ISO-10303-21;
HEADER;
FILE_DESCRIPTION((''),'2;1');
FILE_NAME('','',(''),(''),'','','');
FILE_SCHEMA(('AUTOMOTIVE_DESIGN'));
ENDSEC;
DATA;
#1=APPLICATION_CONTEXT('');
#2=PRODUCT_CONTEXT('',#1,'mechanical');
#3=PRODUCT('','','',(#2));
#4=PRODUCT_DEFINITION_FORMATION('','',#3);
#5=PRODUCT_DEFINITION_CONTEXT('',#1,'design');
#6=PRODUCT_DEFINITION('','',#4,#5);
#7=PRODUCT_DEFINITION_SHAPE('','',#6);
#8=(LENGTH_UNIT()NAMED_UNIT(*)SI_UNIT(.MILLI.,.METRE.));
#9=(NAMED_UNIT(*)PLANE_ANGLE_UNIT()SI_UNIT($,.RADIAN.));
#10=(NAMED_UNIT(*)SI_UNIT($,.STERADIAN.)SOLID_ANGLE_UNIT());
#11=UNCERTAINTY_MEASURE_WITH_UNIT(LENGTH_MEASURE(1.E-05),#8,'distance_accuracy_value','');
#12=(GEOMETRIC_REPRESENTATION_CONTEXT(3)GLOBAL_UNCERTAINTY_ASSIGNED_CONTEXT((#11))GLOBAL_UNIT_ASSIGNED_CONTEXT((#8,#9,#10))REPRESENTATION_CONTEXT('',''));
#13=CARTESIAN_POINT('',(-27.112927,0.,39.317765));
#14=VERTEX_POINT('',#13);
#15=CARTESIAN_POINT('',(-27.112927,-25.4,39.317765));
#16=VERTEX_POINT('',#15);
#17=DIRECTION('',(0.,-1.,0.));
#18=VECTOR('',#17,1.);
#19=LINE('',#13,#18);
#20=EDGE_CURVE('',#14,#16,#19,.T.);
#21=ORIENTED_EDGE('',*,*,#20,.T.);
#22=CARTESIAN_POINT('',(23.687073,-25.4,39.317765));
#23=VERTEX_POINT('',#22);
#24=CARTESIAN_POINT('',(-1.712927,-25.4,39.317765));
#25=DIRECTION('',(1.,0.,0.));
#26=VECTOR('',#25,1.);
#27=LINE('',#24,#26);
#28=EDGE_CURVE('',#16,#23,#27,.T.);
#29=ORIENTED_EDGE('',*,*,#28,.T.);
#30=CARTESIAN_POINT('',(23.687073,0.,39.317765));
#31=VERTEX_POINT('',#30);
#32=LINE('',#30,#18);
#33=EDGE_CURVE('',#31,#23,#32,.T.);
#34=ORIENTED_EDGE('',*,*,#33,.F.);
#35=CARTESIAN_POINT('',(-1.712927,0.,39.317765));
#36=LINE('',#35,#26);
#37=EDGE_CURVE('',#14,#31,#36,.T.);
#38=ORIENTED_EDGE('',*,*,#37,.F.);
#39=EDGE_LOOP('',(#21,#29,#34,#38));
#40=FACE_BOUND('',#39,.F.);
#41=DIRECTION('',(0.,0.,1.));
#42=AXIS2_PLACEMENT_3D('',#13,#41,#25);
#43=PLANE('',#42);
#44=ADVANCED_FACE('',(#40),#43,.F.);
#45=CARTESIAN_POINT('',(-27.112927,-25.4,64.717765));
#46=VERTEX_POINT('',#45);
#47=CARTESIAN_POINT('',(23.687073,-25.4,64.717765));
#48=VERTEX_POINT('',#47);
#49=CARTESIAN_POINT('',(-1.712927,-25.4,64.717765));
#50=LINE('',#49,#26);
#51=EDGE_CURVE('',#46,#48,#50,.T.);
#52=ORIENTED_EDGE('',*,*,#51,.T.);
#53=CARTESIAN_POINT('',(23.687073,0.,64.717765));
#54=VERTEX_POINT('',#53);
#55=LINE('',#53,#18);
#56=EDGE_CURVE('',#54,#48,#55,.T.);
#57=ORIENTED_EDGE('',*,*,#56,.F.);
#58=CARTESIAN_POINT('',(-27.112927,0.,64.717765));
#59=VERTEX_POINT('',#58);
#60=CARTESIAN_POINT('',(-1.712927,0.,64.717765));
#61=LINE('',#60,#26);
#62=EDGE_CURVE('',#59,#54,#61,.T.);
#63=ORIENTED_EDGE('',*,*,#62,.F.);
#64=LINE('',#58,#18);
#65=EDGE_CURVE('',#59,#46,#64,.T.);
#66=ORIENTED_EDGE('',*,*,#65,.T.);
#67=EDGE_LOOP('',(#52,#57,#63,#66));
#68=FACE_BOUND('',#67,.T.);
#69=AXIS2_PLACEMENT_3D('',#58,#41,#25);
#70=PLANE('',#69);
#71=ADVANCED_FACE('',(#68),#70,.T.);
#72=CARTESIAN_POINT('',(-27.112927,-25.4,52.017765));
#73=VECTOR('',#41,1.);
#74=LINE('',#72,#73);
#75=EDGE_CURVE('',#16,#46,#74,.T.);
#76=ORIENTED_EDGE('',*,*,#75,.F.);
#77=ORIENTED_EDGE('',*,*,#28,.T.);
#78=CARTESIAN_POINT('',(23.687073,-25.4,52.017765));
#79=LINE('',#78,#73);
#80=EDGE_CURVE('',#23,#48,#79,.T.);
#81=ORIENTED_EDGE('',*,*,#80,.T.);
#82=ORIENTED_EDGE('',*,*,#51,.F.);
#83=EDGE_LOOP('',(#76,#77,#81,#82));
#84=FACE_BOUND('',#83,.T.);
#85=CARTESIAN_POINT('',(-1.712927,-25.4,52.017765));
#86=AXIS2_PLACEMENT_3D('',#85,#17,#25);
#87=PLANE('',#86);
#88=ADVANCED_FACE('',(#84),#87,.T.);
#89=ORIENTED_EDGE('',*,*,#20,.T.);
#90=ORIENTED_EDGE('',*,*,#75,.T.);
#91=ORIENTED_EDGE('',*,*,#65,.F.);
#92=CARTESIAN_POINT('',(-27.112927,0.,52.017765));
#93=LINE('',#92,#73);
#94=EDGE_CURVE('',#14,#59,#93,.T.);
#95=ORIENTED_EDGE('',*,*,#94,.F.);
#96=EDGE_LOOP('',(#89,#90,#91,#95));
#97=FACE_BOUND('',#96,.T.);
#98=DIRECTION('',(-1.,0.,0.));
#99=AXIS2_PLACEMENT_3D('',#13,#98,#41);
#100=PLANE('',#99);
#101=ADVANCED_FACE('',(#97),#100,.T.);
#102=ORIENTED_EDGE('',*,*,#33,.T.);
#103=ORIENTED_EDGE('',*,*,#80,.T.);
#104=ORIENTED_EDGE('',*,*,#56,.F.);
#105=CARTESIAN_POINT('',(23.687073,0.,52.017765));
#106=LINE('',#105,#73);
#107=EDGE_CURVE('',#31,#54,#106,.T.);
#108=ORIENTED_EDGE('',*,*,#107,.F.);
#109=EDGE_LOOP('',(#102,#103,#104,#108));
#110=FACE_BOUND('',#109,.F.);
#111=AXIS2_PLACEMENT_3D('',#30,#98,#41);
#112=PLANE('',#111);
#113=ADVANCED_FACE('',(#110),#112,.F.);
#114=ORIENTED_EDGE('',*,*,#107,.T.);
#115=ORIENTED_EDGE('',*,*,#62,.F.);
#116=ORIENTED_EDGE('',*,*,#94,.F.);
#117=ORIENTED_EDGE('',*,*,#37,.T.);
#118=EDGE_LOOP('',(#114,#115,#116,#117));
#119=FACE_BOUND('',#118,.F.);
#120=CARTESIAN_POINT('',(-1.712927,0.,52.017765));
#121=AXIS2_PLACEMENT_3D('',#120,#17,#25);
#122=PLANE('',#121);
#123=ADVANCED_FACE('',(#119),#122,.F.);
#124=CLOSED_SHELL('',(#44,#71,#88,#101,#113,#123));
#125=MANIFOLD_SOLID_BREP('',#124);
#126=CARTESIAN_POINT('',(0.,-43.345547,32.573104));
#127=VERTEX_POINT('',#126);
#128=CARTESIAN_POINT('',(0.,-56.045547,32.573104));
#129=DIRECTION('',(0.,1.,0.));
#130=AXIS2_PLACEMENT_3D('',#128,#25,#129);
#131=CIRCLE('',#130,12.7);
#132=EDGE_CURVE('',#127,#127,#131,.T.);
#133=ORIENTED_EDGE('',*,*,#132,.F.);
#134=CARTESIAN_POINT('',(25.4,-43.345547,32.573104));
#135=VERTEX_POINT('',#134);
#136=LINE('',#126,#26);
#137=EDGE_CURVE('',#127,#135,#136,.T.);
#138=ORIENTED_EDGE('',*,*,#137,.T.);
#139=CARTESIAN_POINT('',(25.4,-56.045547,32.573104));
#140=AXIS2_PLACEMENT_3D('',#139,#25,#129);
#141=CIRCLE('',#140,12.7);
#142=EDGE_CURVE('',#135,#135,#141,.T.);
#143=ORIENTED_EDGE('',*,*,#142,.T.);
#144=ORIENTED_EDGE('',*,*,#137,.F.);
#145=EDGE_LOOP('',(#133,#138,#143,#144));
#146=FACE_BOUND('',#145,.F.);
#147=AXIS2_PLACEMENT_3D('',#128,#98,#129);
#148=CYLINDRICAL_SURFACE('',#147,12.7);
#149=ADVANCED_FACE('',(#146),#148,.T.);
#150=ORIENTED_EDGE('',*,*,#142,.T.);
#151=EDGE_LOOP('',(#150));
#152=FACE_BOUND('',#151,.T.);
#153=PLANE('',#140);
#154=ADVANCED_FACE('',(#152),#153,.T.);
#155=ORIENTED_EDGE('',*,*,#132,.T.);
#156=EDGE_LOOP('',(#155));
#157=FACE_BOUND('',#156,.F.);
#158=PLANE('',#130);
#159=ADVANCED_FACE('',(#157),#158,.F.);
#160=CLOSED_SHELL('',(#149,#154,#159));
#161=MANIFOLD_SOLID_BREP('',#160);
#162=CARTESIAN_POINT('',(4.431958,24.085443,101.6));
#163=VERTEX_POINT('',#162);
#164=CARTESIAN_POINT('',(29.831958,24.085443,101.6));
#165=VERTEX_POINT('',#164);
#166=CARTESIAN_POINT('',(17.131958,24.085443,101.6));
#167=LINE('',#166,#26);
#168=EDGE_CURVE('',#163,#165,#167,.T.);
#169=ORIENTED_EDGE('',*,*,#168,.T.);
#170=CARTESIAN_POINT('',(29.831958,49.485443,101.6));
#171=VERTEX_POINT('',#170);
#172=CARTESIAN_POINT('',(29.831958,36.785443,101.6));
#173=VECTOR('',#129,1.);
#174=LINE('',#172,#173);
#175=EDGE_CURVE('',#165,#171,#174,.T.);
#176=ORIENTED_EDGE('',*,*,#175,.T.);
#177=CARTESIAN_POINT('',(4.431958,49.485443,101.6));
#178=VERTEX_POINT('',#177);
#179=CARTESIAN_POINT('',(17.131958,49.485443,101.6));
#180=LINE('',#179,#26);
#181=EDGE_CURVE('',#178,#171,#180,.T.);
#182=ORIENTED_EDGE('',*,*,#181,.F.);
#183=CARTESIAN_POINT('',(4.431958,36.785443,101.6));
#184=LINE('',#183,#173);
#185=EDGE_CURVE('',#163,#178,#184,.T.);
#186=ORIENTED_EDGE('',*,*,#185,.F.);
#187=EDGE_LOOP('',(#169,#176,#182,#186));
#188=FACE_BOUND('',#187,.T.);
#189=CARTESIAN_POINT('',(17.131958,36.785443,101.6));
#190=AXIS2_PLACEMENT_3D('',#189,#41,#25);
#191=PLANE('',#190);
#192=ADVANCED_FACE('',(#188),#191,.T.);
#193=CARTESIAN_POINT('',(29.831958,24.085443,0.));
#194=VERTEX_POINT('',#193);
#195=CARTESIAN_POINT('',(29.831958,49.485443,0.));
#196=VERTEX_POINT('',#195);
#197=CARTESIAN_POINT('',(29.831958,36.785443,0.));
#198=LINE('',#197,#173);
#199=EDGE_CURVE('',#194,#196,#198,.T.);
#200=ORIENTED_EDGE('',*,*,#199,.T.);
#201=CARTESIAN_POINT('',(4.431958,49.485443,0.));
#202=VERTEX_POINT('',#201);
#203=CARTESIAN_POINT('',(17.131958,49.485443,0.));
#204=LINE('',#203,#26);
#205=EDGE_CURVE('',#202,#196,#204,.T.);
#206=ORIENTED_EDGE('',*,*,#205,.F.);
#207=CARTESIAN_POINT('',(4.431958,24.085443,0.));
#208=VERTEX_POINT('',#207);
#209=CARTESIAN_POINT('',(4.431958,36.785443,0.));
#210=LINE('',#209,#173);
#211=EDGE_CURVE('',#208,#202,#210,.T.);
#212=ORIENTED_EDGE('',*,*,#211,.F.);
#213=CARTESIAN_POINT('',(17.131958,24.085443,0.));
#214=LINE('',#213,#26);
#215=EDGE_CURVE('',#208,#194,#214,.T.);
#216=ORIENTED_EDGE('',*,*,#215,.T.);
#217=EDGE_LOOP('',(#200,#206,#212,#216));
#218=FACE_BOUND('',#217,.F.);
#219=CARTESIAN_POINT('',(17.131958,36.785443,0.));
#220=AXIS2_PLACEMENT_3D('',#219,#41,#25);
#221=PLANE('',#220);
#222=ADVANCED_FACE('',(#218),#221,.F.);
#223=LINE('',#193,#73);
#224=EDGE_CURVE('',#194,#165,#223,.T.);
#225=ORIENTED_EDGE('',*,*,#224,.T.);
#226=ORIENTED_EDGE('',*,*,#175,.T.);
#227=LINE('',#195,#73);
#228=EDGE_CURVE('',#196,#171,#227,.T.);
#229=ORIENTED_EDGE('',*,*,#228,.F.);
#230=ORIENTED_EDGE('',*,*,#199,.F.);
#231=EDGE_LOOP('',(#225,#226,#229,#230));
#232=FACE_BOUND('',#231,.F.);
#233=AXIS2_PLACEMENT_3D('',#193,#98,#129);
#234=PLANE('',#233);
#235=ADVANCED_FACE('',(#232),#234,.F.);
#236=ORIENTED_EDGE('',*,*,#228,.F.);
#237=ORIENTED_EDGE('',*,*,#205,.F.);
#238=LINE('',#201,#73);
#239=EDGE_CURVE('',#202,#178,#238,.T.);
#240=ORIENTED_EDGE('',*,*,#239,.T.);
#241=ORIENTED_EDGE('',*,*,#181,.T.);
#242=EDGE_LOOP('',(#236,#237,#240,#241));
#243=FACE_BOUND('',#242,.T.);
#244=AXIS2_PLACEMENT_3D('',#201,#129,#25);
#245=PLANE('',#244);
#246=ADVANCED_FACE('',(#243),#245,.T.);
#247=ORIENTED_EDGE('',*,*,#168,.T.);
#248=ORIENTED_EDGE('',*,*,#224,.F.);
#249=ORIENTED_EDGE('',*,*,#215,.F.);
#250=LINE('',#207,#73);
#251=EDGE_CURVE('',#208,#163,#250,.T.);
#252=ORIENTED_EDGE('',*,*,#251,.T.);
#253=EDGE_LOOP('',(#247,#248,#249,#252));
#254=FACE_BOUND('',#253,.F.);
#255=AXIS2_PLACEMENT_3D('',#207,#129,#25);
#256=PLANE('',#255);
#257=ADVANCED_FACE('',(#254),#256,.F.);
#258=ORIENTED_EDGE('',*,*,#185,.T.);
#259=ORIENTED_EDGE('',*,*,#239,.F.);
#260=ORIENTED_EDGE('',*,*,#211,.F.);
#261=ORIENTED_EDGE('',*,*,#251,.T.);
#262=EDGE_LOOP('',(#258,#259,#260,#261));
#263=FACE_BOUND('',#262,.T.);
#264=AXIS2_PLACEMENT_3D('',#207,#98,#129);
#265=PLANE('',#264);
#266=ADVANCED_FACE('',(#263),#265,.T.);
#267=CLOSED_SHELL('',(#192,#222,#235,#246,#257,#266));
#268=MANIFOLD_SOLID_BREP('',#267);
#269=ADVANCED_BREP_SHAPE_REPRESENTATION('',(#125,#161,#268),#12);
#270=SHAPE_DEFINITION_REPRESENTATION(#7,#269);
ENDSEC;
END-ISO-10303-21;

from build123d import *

# Parameters (mm, degrees)
F0_W     = 50.8
F0_H     = 25.4
F1_DEPTH = 25.4
F2_W     = 25.4
F2_H     = 25.4
F3_DEPTH = 101.6
F4_R     = 12.7
F5_DEPTH = 25.4
F6_DEPTH = 25.4


with BuildPart() as f1:
    # F0 (on Front) → F1 (new body)
    with BuildSketch(Plane.XZ):
        with Locations((-1.712927, 52.017765)):
            Rectangle(F0_W, F0_H)
    extrude(amount=F1_DEPTH)


with BuildPart() as f3:
    # F2 (on Top) → F3 (new body)
    with BuildSketch(Plane.XY):
        with Locations((17.131958, 36.785443)):
            Rectangle(F2_W, F2_H)
    extrude(amount=F3_DEPTH)


with BuildPart() as f5:
    # F4 (on Right) → F5 (new body)
    with BuildSketch(Plane.YZ):
        with Locations((-56.045547, 32.573104)):
            Circle(F4_R)
    extrude(amount=F5_DEPTH)

    # F4 (on Right) → F6 (join)
    with BuildSketch(Plane.YZ):
        with Locations((-56.045547, 32.573104)):
            Circle(F4_R)
    extrude(amount=F6_DEPTH)


solid = Compound([f1.part, f3.part, f5.part])
